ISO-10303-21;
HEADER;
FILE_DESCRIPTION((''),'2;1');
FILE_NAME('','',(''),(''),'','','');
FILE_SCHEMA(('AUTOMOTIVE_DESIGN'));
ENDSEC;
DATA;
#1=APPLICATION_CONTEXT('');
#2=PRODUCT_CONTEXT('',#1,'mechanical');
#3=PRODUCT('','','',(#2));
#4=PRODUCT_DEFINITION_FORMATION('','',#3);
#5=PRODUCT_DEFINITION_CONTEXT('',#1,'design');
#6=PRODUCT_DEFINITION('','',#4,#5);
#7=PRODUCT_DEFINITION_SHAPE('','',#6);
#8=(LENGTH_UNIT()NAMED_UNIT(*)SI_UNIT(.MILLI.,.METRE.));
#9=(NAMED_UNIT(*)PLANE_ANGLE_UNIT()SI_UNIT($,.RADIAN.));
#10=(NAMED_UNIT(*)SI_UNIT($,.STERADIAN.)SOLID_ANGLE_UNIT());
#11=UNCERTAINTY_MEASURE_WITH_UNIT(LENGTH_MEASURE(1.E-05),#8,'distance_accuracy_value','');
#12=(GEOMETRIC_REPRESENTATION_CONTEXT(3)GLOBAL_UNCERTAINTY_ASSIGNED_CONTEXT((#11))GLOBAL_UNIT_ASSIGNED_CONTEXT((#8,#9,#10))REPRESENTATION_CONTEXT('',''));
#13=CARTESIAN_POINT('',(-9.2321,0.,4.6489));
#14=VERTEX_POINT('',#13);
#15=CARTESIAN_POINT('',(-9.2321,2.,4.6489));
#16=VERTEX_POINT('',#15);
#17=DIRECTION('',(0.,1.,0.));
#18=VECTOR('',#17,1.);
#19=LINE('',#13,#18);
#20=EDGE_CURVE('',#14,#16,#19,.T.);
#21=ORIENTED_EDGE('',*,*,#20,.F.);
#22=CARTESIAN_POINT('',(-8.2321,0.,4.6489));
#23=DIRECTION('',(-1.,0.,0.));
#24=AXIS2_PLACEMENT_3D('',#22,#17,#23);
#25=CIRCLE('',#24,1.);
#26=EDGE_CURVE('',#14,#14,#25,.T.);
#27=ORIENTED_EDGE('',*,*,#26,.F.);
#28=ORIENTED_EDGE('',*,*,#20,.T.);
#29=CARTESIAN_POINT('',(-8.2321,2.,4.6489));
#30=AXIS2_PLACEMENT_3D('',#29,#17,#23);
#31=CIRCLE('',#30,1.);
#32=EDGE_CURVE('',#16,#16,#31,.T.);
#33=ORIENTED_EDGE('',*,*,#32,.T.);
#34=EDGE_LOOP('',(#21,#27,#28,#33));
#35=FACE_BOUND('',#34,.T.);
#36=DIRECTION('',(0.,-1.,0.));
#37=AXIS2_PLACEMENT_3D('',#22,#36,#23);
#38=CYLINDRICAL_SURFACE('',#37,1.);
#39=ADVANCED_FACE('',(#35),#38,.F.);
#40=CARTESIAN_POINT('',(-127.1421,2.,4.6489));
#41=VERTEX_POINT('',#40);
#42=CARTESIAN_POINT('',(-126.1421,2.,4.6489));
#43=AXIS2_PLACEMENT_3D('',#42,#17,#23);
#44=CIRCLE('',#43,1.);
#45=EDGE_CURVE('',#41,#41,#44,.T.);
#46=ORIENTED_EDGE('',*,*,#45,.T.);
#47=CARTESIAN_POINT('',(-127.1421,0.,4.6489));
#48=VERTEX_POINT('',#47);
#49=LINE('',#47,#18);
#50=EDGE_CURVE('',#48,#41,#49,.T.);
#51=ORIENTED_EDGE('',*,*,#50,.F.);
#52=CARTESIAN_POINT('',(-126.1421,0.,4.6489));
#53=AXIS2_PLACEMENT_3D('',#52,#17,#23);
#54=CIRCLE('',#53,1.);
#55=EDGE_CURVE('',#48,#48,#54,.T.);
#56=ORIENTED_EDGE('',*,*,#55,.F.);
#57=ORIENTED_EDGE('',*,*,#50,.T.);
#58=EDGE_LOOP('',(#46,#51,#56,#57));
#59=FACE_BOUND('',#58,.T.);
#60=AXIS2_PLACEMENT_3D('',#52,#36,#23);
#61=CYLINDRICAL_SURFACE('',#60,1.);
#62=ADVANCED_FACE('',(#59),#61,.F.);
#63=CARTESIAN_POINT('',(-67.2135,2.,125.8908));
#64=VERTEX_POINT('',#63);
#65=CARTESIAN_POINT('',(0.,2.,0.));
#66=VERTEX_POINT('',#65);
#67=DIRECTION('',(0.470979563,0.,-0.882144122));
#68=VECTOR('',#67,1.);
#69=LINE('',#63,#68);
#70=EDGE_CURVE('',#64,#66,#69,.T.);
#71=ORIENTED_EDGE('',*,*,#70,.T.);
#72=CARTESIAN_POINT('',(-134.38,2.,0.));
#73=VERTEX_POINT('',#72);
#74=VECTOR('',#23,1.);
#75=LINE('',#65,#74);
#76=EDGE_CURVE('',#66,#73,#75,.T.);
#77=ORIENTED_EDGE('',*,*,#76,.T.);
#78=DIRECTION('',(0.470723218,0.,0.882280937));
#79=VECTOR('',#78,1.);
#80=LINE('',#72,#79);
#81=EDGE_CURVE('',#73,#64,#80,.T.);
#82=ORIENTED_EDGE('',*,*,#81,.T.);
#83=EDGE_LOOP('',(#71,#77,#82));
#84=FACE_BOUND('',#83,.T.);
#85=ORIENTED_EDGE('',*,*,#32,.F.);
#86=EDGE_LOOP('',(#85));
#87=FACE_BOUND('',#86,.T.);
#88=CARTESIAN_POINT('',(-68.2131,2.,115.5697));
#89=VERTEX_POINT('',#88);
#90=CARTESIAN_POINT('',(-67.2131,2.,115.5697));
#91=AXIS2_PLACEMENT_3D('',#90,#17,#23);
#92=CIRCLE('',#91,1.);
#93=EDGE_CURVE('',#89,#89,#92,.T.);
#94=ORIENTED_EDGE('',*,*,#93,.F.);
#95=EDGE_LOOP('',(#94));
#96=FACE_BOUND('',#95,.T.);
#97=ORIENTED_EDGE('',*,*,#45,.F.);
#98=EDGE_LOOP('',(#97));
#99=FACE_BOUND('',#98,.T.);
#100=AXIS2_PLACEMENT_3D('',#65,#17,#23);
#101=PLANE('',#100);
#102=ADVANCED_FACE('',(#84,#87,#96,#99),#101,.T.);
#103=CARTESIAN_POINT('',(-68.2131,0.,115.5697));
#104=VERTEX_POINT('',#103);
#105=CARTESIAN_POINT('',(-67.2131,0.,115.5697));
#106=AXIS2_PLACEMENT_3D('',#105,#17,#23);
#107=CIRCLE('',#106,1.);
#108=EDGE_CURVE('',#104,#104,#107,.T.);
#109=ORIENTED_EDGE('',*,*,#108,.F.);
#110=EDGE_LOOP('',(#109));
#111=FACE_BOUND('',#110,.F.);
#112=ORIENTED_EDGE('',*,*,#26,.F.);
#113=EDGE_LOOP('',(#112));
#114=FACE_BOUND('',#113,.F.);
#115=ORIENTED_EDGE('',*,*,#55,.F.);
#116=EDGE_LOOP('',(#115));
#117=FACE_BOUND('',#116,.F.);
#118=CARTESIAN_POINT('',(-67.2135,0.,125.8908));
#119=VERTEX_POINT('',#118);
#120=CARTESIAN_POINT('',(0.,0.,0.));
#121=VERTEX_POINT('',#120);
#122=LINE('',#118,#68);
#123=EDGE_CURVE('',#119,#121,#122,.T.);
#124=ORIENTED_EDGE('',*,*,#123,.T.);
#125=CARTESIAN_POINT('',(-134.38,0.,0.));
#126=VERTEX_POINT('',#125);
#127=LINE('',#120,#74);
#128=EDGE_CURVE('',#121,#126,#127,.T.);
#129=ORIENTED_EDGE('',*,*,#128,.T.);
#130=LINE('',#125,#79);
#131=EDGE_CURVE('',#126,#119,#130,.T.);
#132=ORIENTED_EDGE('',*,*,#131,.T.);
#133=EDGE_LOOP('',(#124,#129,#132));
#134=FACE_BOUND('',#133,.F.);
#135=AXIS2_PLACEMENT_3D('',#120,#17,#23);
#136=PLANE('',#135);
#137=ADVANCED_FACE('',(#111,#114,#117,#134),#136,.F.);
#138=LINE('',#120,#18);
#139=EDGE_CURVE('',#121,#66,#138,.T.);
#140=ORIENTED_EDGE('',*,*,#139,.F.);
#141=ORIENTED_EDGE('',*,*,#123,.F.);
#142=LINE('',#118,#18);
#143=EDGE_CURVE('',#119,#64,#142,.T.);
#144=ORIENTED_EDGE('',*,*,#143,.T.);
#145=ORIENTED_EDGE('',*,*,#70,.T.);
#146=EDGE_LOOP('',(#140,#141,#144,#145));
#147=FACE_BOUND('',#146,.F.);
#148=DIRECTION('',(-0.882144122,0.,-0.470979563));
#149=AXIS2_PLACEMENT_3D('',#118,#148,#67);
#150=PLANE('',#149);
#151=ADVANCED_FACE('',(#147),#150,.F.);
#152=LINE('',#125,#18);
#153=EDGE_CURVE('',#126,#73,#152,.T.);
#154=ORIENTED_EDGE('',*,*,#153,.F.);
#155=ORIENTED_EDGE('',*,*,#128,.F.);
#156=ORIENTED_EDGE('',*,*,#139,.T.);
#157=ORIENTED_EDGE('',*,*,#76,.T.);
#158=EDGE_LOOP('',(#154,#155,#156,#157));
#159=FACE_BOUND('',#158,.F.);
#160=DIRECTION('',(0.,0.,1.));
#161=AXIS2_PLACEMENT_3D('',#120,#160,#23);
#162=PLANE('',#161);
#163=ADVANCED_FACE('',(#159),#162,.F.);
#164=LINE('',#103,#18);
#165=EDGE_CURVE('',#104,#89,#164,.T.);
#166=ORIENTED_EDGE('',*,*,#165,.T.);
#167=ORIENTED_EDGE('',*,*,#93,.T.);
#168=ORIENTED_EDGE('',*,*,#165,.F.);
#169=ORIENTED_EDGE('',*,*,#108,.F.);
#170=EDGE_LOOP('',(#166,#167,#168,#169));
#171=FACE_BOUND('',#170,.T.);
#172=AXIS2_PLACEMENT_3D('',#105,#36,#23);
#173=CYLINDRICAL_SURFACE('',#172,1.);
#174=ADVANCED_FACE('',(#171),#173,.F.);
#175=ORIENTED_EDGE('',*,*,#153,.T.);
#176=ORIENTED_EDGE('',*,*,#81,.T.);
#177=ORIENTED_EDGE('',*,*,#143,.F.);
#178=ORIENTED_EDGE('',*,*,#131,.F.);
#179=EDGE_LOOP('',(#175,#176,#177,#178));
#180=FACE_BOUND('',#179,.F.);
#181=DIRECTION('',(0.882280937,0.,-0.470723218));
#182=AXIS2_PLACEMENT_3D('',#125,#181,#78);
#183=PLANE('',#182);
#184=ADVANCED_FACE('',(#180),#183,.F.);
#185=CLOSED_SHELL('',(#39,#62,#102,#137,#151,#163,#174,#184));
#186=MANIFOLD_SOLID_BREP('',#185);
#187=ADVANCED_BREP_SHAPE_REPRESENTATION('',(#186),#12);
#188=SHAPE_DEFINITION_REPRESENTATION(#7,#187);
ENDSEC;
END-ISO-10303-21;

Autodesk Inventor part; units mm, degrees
ref_plane "YZ Plane" through (0, 0, 0) normal (1, 0, 0) x (0, 1, 0)
ref_plane "XZ Plane" through (0, 0, 0) normal (0, 1, 0) x (-1, 0, 0)
ref_plane "XY Plane" through (0, 0, 0) normal (0, 0, 1) x (1, 0, 0)
sketch "Sketch1" plane through (0, 0, 0) normal (0, 1, 0) x (-1, 0, 0)
  line L0 (0, 0) -> (134.38, 0)
  line L1 (134.38, 0) -> (67.2135, 125.8908)
  line L2 (67.2135, 125.8908) -> (0, 0)
  circle A0 centre (8.2321, 4.6489) radius 1
  circle A1 centre (126.1421, 4.6489) radius 1
  circle A2 centre (67.2131, 115.5697) radius 1
extrude "Extrusion1" add sketch "Sketch1" along normal blind 2
properties part number "bcc_pcb"
